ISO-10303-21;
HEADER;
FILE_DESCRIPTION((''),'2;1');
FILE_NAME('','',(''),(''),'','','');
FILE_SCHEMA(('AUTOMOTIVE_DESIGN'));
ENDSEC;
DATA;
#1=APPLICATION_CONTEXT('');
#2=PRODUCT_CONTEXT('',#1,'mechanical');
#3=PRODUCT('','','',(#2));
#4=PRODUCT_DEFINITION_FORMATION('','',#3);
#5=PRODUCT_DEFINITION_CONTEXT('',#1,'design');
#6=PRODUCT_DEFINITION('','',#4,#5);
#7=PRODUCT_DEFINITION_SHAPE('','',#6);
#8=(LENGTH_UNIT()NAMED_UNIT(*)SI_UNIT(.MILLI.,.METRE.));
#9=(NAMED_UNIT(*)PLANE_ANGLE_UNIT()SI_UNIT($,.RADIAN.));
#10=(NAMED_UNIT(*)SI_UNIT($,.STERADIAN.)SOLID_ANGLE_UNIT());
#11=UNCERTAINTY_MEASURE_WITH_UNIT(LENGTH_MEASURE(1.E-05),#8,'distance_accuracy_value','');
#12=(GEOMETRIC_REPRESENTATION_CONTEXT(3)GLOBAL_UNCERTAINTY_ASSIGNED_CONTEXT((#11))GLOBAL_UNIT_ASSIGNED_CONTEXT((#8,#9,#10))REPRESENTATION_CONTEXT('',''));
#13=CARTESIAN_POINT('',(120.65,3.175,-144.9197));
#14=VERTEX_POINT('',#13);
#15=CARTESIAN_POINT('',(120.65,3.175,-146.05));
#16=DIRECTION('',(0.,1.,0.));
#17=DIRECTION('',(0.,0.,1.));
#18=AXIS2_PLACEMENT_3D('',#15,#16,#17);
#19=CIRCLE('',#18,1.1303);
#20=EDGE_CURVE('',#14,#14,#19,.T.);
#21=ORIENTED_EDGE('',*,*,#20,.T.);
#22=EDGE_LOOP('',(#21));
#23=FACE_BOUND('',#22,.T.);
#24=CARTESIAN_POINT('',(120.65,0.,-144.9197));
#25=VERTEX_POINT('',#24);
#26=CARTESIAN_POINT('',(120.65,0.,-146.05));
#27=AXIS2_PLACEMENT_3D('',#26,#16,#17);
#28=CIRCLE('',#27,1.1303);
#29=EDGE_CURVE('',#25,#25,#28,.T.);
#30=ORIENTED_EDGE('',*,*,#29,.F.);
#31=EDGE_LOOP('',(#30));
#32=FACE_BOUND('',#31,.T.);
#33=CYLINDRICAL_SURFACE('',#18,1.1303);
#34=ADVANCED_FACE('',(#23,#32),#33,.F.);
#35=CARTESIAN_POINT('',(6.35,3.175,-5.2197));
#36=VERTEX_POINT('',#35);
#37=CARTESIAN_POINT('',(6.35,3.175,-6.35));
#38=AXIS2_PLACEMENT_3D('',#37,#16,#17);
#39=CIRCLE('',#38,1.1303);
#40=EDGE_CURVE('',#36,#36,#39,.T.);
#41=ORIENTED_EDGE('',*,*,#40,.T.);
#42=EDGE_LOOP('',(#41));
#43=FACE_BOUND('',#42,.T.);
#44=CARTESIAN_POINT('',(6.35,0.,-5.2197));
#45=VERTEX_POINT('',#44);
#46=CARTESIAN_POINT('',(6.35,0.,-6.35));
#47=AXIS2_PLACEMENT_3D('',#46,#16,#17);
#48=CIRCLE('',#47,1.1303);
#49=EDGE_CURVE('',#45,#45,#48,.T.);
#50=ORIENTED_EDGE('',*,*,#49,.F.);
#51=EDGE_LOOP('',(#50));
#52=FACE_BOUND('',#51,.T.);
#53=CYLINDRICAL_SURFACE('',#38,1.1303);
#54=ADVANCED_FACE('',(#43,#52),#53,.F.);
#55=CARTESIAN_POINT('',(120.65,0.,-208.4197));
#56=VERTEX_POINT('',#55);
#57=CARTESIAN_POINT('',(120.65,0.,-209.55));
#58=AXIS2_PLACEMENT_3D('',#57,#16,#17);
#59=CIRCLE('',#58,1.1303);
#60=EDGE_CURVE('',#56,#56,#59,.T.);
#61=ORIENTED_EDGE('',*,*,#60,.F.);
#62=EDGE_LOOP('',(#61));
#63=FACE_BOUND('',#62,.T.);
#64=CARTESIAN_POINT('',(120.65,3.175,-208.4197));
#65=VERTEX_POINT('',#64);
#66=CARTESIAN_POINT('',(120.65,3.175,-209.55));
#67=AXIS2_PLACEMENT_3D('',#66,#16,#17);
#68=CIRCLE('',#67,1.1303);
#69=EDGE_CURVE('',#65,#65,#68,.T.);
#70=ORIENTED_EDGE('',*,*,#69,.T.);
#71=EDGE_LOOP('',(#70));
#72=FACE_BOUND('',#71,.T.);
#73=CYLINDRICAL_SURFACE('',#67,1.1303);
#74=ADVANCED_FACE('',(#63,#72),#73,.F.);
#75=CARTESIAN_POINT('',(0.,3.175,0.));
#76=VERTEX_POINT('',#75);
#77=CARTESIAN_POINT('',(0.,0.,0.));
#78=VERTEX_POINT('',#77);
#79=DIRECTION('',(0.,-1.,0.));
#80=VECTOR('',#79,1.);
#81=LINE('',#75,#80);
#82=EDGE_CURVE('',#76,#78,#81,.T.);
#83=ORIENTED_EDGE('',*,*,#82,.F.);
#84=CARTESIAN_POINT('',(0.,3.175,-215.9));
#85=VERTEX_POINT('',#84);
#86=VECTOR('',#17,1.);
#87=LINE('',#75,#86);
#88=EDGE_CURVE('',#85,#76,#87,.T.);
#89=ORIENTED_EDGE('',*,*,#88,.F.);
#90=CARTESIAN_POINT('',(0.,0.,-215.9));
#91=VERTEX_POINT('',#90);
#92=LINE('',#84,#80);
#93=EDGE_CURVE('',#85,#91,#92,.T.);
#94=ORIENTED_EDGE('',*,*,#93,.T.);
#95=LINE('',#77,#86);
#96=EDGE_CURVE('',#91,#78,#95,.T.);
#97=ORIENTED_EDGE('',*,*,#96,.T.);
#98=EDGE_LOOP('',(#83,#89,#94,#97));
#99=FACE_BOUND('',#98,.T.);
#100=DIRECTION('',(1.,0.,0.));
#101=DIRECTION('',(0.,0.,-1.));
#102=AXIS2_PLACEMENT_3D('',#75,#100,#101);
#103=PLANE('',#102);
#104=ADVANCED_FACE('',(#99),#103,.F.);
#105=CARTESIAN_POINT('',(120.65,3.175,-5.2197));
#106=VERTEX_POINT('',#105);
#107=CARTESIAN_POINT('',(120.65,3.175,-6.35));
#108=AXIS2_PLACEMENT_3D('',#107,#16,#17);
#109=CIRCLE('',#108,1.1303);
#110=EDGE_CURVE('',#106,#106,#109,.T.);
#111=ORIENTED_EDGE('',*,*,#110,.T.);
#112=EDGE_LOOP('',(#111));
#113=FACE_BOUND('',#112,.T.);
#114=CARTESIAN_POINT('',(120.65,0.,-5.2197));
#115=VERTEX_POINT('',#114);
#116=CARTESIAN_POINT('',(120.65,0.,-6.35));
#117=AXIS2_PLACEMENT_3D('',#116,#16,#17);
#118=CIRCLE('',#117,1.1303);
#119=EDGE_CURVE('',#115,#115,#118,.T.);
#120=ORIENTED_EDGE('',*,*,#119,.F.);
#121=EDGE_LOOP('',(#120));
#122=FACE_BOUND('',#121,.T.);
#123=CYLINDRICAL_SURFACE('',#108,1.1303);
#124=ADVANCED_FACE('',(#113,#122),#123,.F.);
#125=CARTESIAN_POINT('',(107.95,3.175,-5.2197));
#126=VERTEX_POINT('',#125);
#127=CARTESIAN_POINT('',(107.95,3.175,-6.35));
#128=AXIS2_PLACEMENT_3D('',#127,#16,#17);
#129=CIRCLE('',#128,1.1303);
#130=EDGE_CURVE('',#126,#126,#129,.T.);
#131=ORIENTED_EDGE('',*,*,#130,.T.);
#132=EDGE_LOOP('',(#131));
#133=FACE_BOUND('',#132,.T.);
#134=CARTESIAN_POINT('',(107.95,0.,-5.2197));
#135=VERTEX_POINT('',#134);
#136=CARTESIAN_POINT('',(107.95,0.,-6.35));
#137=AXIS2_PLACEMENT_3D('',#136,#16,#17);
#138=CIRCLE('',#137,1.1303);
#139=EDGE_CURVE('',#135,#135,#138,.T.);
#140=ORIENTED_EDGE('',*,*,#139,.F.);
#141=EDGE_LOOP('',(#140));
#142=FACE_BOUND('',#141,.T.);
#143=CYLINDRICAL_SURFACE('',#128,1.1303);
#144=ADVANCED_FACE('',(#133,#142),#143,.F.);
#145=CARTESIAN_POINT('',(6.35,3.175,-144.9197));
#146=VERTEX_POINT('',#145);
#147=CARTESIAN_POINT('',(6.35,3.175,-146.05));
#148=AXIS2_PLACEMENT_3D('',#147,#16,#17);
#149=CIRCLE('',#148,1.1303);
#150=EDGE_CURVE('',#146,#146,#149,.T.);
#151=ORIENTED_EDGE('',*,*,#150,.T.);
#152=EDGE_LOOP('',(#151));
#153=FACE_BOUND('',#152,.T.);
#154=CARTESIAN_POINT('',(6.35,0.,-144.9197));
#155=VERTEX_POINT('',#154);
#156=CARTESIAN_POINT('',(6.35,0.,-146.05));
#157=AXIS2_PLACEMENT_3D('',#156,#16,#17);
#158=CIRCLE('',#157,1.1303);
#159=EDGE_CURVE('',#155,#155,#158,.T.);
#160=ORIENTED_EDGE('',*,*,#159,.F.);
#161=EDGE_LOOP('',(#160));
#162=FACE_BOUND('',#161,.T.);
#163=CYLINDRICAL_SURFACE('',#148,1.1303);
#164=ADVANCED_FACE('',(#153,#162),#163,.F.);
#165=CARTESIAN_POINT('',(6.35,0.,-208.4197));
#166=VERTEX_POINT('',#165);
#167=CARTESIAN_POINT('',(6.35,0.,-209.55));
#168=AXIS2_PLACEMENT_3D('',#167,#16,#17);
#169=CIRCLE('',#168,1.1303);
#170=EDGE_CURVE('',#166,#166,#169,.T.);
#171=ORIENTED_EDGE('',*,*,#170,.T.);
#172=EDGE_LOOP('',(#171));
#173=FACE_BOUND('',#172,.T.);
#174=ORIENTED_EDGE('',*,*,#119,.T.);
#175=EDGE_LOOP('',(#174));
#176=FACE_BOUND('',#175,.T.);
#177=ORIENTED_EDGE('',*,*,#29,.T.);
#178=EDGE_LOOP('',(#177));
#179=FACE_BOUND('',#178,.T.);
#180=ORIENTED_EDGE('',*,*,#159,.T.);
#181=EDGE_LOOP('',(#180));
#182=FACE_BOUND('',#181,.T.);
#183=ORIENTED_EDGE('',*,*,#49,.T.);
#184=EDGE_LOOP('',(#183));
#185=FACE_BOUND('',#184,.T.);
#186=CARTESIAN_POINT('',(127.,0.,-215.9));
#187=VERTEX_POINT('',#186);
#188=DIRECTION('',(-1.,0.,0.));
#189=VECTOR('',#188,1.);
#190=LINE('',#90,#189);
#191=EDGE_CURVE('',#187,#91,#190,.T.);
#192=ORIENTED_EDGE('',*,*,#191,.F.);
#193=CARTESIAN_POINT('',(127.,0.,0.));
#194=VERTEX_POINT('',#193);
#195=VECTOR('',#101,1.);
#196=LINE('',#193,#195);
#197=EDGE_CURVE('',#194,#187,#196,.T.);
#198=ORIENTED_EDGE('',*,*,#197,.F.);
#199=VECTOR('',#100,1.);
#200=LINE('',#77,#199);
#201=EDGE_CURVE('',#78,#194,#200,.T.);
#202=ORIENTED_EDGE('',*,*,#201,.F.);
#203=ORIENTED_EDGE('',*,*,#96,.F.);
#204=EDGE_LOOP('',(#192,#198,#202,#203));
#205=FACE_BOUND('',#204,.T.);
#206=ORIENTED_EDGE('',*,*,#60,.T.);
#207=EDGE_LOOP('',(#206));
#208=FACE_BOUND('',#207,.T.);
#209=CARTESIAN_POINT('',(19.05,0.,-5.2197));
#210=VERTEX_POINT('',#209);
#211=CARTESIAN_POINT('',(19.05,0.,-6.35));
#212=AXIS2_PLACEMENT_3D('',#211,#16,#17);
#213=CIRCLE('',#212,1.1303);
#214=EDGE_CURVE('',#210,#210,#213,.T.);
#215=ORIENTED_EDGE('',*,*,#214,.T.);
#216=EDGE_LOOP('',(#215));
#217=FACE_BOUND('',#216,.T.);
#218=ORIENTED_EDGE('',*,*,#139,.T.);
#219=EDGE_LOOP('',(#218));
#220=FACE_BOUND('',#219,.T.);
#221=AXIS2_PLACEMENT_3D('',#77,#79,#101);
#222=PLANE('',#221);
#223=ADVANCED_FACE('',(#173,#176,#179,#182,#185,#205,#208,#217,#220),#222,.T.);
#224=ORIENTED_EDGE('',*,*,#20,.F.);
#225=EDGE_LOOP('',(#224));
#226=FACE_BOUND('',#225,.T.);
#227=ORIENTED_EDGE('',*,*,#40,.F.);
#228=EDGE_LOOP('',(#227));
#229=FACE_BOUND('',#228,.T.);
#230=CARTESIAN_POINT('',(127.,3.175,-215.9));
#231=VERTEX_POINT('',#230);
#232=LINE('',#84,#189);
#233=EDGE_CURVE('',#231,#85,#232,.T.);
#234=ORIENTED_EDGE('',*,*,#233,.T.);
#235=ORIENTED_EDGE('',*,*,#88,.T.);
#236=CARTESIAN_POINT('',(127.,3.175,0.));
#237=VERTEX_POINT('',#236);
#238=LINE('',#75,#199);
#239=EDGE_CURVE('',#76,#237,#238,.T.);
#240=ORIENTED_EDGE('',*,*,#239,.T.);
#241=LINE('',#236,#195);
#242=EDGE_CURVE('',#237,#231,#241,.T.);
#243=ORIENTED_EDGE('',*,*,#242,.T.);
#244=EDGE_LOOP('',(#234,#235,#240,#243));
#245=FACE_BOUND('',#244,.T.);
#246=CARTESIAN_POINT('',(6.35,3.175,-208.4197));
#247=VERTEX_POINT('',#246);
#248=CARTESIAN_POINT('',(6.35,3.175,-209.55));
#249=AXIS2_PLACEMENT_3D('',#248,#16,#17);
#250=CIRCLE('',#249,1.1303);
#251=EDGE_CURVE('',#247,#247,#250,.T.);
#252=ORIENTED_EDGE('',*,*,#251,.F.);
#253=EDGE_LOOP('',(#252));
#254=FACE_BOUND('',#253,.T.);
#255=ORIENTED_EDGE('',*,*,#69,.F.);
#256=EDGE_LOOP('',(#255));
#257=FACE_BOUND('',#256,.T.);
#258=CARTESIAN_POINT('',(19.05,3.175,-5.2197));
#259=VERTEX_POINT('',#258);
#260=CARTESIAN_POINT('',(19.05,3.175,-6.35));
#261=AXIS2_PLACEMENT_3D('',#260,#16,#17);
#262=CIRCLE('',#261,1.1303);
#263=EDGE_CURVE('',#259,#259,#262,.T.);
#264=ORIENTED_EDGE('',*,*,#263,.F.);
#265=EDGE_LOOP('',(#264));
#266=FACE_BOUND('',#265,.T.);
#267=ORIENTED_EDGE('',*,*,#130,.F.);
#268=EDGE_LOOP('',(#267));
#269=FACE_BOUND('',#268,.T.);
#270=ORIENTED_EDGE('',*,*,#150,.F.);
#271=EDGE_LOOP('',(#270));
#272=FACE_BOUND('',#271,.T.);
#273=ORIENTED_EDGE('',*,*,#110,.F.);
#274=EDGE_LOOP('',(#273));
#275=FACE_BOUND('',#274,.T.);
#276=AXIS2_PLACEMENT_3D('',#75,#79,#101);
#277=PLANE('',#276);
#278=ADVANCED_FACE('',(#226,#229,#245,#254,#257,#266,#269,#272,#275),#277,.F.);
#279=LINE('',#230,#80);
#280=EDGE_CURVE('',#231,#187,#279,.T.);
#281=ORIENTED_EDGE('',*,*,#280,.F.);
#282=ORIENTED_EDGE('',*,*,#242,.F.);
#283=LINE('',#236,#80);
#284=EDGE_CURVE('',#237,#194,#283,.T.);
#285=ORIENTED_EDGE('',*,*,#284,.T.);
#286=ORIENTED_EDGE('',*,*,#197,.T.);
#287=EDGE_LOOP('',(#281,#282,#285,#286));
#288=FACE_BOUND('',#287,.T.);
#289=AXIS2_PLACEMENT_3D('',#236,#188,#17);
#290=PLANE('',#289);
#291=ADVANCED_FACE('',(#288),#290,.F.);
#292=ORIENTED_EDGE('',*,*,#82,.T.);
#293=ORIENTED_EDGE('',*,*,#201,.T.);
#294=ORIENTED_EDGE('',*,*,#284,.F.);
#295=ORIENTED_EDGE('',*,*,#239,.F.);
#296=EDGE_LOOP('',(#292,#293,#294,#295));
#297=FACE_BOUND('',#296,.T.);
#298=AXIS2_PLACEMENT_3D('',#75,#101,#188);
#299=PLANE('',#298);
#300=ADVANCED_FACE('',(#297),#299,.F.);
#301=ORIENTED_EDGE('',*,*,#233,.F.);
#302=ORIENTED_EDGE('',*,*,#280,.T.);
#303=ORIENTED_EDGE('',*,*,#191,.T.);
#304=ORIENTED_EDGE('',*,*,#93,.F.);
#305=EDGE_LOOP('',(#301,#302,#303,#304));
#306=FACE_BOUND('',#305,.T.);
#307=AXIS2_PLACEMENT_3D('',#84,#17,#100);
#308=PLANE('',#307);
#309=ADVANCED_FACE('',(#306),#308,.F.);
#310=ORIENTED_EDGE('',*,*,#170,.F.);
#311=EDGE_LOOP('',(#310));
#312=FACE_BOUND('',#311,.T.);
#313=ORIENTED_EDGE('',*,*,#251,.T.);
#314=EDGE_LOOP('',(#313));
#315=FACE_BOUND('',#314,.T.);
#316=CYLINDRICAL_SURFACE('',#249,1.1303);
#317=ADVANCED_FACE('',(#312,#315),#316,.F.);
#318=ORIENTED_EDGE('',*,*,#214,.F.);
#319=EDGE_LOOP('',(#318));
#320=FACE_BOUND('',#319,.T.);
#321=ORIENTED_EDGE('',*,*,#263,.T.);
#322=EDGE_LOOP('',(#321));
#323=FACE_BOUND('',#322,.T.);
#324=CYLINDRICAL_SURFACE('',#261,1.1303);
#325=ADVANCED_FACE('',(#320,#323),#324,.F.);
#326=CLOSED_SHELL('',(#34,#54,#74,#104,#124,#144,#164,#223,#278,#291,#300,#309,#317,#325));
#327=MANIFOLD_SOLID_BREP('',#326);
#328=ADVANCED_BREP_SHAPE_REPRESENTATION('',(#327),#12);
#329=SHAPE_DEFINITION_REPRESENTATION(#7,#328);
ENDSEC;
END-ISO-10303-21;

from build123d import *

# Parameters (mm, degrees)
SKETCH1_W                   = 127
SKETCH1_H                   = 215.9
BOSS_EXTRUDE1_DEPTH         = 3.175
F_43_0_089_DIAMETER_HOLE1_D = 2.2606


with BuildPart() as part:
    # Sketch1 → Boss-Extrude1 (new body)
    with BuildSketch(Plane(origin=(0, 0, 0), x_dir=(1, 0, 0), z_dir=(0, 1, 0))):
        with Locations((63.5, 107.95)):
            Rectangle(SKETCH1_W, SKETCH1_H)
    extrude(amount=BOSS_EXTRUDE1_DEPTH)

    # #43 (0.089) Diameter Hole1 (through all)
    with Locations(Plane(origin=(0, 3.175, 0), x_dir=(1, 0, 0), z_dir=(0, 1, 0))):
        with Locations((6.35, 209.55), (120.65, 209.55), (120.65, 146.05), (6.35, 146.05), (120.65, 6.35), (6.35, 6.35), (19.05, 6.35), (107.95, 6.35)):
            Hole(F_43_0_089_DIAMETER_HOLE1_D / 2)


solid = part.part
